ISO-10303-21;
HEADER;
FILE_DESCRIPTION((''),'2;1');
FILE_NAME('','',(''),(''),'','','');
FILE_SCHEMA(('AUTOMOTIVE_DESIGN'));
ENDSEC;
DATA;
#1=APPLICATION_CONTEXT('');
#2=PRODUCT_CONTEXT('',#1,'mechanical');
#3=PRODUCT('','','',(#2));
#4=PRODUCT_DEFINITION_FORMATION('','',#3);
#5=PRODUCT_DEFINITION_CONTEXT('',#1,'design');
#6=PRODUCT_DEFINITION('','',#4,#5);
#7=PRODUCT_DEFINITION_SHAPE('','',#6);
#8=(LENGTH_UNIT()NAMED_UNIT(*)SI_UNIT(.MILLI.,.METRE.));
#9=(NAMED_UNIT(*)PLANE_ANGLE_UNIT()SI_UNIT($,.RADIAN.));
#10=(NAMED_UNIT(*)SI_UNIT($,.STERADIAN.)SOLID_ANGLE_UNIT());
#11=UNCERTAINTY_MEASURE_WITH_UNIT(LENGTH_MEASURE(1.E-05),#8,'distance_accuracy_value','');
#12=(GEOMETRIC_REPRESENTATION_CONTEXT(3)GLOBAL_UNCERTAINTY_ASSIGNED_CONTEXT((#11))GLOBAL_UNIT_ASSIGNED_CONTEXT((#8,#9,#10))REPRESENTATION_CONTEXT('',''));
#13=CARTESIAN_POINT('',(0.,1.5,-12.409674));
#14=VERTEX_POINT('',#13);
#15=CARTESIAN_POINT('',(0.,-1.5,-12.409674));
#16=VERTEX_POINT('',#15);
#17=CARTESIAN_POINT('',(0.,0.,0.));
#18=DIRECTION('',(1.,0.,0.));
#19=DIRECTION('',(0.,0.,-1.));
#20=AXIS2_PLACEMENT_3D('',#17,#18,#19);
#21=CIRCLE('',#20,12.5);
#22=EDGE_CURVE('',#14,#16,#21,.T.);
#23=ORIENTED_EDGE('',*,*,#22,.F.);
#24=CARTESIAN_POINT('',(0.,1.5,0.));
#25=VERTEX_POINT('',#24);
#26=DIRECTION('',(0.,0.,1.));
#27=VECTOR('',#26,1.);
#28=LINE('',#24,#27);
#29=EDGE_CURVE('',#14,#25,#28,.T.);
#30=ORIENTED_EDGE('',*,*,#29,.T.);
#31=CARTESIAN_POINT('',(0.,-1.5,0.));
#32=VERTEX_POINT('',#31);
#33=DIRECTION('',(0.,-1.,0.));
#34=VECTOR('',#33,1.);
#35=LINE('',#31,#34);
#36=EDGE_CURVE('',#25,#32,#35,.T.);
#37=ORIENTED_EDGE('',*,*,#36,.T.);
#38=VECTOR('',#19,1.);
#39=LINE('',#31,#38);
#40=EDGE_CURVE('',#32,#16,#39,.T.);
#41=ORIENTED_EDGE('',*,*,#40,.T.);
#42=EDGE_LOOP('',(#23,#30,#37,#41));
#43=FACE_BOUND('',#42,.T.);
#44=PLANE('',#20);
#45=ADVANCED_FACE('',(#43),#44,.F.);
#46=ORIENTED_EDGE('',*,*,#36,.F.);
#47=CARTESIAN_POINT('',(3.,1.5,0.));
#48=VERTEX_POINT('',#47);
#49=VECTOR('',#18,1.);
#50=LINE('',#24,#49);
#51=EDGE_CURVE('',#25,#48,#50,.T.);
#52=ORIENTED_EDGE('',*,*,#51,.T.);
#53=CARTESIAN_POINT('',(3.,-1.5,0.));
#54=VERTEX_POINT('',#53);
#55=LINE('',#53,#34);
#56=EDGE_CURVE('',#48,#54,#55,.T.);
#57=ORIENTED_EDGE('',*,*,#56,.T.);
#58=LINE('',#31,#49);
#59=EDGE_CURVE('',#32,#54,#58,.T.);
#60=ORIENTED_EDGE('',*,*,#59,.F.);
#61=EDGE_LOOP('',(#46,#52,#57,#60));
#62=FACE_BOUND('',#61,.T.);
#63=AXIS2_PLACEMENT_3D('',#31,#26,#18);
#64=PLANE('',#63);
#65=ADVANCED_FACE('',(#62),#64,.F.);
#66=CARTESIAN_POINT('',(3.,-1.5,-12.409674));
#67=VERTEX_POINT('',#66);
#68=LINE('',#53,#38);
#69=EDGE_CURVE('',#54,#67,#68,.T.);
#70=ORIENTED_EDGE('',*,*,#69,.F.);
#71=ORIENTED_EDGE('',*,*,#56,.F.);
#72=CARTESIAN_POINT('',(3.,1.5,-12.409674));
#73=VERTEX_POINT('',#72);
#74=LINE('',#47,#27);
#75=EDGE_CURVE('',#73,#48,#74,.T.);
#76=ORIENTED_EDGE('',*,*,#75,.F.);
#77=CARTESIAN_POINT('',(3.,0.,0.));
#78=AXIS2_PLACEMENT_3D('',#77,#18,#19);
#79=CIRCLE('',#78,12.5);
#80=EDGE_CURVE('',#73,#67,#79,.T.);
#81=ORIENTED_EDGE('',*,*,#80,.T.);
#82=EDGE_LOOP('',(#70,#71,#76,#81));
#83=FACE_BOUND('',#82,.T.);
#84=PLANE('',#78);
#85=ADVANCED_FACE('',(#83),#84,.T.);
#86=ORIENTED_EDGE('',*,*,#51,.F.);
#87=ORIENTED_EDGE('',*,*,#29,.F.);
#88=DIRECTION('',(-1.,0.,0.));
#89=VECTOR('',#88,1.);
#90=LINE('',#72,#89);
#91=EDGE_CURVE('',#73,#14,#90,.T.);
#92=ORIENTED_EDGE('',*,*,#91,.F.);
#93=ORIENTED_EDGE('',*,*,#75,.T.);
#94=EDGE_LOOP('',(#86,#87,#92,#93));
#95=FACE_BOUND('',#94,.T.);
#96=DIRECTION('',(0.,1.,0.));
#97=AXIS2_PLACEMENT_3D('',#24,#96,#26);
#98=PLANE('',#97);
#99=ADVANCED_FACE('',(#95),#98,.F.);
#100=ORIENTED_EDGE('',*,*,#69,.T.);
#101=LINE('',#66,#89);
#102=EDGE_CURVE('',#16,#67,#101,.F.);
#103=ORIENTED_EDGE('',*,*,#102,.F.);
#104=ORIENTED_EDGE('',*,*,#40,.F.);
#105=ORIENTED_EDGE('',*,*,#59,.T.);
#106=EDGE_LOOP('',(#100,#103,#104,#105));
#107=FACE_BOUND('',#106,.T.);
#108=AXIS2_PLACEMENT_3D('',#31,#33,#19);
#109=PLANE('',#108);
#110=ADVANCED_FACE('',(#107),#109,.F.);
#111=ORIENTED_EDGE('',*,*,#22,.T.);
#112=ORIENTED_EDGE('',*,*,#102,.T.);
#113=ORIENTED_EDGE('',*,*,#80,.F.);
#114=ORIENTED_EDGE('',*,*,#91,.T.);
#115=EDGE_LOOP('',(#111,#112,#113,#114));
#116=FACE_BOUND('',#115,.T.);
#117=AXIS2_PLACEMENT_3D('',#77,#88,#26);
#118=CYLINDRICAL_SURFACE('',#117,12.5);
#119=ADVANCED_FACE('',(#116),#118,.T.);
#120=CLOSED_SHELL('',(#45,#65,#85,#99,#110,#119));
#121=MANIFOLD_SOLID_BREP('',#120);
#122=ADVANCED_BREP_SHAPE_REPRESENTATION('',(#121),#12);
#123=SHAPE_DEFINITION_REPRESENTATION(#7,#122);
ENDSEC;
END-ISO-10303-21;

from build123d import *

# Parameters (mm, degrees)
SKETCH1_R           = 12.5
BOSS_EXTRUDE1_DEPTH = 3
SKETCH2_W           = 25
SKETCH2_H           = 3
CUT_EXTRUDE1_DEPTH  = 3


with BuildPart() as part:
    # Sketch1 → Boss-Extrude1 (new body)
    with BuildSketch(Plane(origin=(0, 0, 0), x_dir=(0, 0, -1), z_dir=(1, 0, 0))):
        Circle(SKETCH1_R)
    extrude(amount=BOSS_EXTRUDE1_DEPTH)

    # Sketch2 → Cut-Extrude1 (cut)
    with BuildSketch(Plane(origin=(3, 0, 0), x_dir=(0, 0, -1), z_dir=(1, 0, 0))):
        with Locations((12.5, 0)):
            Rectangle(SKETCH2_W, SKETCH2_H)
    extrude(amount=-CUT_EXTRUDE1_DEPTH, mode=Mode.SUBTRACT)


solid = part.part
